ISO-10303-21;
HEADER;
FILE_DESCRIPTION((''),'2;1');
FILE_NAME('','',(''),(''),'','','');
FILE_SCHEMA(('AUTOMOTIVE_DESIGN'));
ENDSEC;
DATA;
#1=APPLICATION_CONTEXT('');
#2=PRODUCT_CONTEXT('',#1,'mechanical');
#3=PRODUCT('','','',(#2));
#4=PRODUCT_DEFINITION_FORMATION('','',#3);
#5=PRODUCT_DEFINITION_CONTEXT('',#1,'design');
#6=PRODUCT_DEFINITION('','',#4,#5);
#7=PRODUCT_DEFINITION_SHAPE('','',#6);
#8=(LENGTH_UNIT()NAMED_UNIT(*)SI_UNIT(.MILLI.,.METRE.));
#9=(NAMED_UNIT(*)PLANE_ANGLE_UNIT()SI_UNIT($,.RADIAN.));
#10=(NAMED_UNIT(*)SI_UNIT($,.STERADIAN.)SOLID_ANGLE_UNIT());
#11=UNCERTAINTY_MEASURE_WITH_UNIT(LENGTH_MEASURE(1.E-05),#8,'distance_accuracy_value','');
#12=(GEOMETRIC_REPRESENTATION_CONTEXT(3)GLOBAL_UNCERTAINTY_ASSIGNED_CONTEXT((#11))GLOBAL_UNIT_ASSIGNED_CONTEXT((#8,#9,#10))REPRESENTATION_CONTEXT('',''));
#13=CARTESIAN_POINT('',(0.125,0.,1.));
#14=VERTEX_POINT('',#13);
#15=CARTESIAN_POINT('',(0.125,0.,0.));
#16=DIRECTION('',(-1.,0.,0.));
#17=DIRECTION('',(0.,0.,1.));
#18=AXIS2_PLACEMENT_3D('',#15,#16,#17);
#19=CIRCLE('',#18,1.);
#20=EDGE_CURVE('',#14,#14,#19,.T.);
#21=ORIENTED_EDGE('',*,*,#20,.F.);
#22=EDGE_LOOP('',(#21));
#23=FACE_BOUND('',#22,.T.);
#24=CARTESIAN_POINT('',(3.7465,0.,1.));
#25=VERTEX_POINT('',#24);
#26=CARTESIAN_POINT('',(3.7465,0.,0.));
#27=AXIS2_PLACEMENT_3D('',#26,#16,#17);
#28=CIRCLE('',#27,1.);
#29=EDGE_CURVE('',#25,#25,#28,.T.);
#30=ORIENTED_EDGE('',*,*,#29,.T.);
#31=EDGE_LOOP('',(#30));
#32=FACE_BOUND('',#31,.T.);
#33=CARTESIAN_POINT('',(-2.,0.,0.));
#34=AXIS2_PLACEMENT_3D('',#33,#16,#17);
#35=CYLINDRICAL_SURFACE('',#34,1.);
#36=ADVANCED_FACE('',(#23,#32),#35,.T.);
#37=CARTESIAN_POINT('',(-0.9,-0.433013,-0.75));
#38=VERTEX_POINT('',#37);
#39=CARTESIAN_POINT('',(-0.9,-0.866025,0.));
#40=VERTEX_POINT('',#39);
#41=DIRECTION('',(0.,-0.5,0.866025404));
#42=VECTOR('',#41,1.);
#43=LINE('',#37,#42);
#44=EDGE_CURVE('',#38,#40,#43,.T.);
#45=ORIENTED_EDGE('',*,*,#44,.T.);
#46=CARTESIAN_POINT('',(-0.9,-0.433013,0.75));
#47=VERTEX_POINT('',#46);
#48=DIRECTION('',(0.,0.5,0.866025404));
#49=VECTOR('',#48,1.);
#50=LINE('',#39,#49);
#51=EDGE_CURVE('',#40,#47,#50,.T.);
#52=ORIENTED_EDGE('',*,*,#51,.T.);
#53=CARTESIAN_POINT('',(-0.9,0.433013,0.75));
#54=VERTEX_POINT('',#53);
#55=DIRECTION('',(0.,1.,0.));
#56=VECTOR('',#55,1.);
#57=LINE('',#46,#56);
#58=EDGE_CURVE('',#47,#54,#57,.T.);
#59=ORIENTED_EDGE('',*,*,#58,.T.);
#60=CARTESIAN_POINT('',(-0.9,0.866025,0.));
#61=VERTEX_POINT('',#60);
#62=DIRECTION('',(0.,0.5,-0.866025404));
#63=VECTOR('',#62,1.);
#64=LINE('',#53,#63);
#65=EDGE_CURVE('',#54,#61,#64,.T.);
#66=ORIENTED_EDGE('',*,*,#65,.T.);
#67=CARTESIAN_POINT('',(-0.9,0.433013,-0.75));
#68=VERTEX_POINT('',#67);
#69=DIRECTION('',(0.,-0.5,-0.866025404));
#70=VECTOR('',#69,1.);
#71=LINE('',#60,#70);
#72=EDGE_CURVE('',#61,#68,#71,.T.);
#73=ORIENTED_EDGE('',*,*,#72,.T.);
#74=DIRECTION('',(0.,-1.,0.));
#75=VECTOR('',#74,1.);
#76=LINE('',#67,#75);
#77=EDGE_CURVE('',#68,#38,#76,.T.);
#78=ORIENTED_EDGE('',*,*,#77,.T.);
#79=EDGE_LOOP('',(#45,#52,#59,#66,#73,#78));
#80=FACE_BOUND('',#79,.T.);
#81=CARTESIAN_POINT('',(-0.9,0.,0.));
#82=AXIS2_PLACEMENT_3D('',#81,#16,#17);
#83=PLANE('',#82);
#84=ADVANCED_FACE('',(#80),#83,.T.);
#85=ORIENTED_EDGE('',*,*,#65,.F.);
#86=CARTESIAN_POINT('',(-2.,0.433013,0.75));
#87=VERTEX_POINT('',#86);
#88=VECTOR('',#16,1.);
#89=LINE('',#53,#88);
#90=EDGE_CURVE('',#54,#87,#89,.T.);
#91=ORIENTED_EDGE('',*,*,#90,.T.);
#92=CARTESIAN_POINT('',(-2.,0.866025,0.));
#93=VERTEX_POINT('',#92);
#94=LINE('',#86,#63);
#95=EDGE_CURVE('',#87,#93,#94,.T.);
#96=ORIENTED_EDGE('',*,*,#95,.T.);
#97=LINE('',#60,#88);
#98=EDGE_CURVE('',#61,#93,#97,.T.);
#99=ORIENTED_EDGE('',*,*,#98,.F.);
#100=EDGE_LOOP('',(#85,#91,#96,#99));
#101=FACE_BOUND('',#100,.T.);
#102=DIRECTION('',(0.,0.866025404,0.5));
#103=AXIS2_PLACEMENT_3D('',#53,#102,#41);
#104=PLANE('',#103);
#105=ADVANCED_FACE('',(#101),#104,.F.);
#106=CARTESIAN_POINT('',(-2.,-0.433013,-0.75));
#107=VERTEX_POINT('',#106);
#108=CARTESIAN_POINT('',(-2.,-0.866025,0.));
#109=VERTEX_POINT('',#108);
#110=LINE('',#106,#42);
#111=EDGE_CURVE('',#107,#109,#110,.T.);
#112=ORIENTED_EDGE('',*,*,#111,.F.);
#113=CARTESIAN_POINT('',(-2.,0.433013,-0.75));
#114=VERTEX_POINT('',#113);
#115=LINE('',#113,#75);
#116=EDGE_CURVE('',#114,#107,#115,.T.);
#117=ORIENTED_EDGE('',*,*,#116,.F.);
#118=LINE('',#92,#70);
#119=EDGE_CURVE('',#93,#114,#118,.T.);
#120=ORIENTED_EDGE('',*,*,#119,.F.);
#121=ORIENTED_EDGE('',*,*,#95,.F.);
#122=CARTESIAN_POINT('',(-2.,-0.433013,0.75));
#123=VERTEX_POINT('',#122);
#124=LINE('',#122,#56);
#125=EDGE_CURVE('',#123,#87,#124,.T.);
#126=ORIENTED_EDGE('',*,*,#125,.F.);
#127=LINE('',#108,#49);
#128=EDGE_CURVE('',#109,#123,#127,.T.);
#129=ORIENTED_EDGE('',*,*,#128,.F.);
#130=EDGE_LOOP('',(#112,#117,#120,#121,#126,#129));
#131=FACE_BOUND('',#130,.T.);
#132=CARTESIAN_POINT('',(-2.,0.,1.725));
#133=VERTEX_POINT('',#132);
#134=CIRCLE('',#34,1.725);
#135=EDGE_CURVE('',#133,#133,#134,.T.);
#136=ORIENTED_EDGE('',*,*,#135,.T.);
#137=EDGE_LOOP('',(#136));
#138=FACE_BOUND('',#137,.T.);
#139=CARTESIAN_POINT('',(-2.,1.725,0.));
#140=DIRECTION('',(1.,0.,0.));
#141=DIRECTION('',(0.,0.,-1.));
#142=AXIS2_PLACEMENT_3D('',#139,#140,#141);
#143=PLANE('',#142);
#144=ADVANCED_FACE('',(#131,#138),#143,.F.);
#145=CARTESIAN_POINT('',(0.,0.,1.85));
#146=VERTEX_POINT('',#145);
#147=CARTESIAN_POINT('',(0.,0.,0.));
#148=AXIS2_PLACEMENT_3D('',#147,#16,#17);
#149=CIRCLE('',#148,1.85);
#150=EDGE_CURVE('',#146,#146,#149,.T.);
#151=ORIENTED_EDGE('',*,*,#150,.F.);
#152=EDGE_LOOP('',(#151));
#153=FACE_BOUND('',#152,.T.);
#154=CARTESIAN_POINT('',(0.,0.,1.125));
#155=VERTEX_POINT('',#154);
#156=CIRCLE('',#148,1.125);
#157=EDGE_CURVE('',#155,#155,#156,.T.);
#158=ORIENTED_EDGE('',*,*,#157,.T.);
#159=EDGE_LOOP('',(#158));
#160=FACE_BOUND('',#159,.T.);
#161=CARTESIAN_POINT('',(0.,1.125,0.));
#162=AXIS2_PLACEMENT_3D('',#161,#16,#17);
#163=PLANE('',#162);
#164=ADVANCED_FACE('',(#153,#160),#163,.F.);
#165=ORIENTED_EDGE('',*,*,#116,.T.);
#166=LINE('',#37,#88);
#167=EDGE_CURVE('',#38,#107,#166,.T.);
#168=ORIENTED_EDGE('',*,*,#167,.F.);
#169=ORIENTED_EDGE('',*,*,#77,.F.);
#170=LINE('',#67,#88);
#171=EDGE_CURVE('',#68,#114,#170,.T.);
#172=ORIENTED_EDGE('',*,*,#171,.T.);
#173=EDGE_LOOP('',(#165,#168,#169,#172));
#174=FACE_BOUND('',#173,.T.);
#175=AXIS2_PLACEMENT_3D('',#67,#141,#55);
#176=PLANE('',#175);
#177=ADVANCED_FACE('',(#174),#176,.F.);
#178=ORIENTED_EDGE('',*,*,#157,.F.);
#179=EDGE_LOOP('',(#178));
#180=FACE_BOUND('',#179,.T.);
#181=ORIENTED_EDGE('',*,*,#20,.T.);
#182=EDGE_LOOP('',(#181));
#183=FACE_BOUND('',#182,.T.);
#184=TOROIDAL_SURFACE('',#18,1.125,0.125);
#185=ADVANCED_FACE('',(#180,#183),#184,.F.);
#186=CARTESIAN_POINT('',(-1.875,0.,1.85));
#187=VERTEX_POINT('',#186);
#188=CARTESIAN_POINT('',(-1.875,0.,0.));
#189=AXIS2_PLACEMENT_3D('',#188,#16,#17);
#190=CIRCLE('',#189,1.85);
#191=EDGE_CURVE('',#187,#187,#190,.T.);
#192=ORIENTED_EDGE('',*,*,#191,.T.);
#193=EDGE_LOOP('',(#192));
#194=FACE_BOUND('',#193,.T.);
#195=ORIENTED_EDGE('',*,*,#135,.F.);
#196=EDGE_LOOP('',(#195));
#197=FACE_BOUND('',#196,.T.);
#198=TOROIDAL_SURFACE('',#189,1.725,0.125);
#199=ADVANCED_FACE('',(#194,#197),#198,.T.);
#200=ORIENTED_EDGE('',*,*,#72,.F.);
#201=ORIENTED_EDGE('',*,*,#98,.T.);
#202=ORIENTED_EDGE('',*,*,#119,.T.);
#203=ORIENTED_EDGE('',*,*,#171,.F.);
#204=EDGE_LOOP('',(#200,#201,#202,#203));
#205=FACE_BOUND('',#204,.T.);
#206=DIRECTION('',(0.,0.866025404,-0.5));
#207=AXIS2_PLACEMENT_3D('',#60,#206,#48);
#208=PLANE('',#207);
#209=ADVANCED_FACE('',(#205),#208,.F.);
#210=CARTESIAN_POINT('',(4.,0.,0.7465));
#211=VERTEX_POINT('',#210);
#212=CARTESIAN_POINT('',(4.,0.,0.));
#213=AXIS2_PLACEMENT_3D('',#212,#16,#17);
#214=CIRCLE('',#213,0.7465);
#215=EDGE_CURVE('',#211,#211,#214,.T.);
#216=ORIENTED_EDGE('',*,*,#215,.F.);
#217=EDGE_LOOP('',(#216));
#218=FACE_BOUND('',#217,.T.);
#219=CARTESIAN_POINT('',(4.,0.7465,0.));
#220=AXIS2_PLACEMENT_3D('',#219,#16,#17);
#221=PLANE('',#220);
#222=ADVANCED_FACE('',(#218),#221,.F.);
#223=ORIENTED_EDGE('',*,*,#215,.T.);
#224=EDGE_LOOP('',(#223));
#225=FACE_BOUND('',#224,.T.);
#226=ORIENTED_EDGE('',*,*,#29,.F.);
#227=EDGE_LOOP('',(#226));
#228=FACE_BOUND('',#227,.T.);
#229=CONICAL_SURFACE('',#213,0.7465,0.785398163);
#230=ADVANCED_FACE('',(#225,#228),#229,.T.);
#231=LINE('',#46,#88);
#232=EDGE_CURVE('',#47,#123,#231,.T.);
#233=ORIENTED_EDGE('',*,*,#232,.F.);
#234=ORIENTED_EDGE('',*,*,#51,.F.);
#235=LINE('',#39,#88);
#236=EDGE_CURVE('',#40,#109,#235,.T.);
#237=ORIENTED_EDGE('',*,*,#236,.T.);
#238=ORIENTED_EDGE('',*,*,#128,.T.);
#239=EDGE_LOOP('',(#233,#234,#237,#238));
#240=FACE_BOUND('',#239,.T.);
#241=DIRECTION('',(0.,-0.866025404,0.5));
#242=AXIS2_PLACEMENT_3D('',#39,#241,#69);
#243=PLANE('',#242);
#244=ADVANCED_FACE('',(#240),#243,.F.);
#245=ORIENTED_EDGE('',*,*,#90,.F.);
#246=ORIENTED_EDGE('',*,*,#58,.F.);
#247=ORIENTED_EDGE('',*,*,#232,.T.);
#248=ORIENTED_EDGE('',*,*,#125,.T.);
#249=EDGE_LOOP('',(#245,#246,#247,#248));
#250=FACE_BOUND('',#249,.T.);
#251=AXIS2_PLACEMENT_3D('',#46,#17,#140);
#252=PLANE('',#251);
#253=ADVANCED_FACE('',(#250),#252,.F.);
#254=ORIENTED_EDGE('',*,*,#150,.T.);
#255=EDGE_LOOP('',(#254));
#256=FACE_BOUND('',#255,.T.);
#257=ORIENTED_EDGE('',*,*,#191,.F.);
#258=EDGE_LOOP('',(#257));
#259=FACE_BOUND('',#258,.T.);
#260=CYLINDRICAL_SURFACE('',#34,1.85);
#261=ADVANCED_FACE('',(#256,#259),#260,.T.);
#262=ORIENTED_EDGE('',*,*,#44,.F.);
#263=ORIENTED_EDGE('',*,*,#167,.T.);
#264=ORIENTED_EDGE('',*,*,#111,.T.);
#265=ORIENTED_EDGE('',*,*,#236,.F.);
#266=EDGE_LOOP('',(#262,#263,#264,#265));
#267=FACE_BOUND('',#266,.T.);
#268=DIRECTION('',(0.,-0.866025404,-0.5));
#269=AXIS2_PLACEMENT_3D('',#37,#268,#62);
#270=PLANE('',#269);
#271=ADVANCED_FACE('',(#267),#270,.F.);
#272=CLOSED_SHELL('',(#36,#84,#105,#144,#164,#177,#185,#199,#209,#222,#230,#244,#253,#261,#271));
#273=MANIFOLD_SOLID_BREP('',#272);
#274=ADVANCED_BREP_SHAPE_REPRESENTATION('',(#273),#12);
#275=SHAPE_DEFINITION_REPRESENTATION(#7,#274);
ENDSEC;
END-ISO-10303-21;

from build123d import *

# Parameters (mm, degrees)
CUT_EXTRUDE1_DEPTH = 1.1


with BuildPart() as part:
    # Sketch1 → Revolve1 (revolve)
    with BuildSketch(Plane.XY):
        with BuildLine():
            Line((3.7465, 1), (0.125, 1))
            ThreePointArc((0.125, 1), (0.036611652, 1.036611652), (0, 1.125))
            Line((0, 1.125), (0, 1.85))
            Line((0, 1.85), (-1.875, 1.85))
            ThreePointArc((-1.875, 1.85), (-1.963388348, 1.813388348), (-2, 1.725))
            Line((-2, 1.725), (-2, 0))
            Line((-2, 0), (4, 0))
            Line((4, 0), (4, 0.7465))
            Line((4, 0.7465), (3.7465, 1))
        make_face()
    revolve(axis=Axis((-2, 0, 0), (1, 0, 0)))

    # Sketch2 → Cut-Extrude1 (cut)
    with BuildSketch(Plane.ZY.offset(2)):
        Polygon((0.75, 0.433012702), (0, 0.866025404), (-0.75, 0.433012702), (-0.75, -0.433012702), (0, -0.866025404), (0.75, -0.433012702), align=None)
    extrude(amount=-CUT_EXTRUDE1_DEPTH, mode=Mode.SUBTRACT)


solid = part.part
